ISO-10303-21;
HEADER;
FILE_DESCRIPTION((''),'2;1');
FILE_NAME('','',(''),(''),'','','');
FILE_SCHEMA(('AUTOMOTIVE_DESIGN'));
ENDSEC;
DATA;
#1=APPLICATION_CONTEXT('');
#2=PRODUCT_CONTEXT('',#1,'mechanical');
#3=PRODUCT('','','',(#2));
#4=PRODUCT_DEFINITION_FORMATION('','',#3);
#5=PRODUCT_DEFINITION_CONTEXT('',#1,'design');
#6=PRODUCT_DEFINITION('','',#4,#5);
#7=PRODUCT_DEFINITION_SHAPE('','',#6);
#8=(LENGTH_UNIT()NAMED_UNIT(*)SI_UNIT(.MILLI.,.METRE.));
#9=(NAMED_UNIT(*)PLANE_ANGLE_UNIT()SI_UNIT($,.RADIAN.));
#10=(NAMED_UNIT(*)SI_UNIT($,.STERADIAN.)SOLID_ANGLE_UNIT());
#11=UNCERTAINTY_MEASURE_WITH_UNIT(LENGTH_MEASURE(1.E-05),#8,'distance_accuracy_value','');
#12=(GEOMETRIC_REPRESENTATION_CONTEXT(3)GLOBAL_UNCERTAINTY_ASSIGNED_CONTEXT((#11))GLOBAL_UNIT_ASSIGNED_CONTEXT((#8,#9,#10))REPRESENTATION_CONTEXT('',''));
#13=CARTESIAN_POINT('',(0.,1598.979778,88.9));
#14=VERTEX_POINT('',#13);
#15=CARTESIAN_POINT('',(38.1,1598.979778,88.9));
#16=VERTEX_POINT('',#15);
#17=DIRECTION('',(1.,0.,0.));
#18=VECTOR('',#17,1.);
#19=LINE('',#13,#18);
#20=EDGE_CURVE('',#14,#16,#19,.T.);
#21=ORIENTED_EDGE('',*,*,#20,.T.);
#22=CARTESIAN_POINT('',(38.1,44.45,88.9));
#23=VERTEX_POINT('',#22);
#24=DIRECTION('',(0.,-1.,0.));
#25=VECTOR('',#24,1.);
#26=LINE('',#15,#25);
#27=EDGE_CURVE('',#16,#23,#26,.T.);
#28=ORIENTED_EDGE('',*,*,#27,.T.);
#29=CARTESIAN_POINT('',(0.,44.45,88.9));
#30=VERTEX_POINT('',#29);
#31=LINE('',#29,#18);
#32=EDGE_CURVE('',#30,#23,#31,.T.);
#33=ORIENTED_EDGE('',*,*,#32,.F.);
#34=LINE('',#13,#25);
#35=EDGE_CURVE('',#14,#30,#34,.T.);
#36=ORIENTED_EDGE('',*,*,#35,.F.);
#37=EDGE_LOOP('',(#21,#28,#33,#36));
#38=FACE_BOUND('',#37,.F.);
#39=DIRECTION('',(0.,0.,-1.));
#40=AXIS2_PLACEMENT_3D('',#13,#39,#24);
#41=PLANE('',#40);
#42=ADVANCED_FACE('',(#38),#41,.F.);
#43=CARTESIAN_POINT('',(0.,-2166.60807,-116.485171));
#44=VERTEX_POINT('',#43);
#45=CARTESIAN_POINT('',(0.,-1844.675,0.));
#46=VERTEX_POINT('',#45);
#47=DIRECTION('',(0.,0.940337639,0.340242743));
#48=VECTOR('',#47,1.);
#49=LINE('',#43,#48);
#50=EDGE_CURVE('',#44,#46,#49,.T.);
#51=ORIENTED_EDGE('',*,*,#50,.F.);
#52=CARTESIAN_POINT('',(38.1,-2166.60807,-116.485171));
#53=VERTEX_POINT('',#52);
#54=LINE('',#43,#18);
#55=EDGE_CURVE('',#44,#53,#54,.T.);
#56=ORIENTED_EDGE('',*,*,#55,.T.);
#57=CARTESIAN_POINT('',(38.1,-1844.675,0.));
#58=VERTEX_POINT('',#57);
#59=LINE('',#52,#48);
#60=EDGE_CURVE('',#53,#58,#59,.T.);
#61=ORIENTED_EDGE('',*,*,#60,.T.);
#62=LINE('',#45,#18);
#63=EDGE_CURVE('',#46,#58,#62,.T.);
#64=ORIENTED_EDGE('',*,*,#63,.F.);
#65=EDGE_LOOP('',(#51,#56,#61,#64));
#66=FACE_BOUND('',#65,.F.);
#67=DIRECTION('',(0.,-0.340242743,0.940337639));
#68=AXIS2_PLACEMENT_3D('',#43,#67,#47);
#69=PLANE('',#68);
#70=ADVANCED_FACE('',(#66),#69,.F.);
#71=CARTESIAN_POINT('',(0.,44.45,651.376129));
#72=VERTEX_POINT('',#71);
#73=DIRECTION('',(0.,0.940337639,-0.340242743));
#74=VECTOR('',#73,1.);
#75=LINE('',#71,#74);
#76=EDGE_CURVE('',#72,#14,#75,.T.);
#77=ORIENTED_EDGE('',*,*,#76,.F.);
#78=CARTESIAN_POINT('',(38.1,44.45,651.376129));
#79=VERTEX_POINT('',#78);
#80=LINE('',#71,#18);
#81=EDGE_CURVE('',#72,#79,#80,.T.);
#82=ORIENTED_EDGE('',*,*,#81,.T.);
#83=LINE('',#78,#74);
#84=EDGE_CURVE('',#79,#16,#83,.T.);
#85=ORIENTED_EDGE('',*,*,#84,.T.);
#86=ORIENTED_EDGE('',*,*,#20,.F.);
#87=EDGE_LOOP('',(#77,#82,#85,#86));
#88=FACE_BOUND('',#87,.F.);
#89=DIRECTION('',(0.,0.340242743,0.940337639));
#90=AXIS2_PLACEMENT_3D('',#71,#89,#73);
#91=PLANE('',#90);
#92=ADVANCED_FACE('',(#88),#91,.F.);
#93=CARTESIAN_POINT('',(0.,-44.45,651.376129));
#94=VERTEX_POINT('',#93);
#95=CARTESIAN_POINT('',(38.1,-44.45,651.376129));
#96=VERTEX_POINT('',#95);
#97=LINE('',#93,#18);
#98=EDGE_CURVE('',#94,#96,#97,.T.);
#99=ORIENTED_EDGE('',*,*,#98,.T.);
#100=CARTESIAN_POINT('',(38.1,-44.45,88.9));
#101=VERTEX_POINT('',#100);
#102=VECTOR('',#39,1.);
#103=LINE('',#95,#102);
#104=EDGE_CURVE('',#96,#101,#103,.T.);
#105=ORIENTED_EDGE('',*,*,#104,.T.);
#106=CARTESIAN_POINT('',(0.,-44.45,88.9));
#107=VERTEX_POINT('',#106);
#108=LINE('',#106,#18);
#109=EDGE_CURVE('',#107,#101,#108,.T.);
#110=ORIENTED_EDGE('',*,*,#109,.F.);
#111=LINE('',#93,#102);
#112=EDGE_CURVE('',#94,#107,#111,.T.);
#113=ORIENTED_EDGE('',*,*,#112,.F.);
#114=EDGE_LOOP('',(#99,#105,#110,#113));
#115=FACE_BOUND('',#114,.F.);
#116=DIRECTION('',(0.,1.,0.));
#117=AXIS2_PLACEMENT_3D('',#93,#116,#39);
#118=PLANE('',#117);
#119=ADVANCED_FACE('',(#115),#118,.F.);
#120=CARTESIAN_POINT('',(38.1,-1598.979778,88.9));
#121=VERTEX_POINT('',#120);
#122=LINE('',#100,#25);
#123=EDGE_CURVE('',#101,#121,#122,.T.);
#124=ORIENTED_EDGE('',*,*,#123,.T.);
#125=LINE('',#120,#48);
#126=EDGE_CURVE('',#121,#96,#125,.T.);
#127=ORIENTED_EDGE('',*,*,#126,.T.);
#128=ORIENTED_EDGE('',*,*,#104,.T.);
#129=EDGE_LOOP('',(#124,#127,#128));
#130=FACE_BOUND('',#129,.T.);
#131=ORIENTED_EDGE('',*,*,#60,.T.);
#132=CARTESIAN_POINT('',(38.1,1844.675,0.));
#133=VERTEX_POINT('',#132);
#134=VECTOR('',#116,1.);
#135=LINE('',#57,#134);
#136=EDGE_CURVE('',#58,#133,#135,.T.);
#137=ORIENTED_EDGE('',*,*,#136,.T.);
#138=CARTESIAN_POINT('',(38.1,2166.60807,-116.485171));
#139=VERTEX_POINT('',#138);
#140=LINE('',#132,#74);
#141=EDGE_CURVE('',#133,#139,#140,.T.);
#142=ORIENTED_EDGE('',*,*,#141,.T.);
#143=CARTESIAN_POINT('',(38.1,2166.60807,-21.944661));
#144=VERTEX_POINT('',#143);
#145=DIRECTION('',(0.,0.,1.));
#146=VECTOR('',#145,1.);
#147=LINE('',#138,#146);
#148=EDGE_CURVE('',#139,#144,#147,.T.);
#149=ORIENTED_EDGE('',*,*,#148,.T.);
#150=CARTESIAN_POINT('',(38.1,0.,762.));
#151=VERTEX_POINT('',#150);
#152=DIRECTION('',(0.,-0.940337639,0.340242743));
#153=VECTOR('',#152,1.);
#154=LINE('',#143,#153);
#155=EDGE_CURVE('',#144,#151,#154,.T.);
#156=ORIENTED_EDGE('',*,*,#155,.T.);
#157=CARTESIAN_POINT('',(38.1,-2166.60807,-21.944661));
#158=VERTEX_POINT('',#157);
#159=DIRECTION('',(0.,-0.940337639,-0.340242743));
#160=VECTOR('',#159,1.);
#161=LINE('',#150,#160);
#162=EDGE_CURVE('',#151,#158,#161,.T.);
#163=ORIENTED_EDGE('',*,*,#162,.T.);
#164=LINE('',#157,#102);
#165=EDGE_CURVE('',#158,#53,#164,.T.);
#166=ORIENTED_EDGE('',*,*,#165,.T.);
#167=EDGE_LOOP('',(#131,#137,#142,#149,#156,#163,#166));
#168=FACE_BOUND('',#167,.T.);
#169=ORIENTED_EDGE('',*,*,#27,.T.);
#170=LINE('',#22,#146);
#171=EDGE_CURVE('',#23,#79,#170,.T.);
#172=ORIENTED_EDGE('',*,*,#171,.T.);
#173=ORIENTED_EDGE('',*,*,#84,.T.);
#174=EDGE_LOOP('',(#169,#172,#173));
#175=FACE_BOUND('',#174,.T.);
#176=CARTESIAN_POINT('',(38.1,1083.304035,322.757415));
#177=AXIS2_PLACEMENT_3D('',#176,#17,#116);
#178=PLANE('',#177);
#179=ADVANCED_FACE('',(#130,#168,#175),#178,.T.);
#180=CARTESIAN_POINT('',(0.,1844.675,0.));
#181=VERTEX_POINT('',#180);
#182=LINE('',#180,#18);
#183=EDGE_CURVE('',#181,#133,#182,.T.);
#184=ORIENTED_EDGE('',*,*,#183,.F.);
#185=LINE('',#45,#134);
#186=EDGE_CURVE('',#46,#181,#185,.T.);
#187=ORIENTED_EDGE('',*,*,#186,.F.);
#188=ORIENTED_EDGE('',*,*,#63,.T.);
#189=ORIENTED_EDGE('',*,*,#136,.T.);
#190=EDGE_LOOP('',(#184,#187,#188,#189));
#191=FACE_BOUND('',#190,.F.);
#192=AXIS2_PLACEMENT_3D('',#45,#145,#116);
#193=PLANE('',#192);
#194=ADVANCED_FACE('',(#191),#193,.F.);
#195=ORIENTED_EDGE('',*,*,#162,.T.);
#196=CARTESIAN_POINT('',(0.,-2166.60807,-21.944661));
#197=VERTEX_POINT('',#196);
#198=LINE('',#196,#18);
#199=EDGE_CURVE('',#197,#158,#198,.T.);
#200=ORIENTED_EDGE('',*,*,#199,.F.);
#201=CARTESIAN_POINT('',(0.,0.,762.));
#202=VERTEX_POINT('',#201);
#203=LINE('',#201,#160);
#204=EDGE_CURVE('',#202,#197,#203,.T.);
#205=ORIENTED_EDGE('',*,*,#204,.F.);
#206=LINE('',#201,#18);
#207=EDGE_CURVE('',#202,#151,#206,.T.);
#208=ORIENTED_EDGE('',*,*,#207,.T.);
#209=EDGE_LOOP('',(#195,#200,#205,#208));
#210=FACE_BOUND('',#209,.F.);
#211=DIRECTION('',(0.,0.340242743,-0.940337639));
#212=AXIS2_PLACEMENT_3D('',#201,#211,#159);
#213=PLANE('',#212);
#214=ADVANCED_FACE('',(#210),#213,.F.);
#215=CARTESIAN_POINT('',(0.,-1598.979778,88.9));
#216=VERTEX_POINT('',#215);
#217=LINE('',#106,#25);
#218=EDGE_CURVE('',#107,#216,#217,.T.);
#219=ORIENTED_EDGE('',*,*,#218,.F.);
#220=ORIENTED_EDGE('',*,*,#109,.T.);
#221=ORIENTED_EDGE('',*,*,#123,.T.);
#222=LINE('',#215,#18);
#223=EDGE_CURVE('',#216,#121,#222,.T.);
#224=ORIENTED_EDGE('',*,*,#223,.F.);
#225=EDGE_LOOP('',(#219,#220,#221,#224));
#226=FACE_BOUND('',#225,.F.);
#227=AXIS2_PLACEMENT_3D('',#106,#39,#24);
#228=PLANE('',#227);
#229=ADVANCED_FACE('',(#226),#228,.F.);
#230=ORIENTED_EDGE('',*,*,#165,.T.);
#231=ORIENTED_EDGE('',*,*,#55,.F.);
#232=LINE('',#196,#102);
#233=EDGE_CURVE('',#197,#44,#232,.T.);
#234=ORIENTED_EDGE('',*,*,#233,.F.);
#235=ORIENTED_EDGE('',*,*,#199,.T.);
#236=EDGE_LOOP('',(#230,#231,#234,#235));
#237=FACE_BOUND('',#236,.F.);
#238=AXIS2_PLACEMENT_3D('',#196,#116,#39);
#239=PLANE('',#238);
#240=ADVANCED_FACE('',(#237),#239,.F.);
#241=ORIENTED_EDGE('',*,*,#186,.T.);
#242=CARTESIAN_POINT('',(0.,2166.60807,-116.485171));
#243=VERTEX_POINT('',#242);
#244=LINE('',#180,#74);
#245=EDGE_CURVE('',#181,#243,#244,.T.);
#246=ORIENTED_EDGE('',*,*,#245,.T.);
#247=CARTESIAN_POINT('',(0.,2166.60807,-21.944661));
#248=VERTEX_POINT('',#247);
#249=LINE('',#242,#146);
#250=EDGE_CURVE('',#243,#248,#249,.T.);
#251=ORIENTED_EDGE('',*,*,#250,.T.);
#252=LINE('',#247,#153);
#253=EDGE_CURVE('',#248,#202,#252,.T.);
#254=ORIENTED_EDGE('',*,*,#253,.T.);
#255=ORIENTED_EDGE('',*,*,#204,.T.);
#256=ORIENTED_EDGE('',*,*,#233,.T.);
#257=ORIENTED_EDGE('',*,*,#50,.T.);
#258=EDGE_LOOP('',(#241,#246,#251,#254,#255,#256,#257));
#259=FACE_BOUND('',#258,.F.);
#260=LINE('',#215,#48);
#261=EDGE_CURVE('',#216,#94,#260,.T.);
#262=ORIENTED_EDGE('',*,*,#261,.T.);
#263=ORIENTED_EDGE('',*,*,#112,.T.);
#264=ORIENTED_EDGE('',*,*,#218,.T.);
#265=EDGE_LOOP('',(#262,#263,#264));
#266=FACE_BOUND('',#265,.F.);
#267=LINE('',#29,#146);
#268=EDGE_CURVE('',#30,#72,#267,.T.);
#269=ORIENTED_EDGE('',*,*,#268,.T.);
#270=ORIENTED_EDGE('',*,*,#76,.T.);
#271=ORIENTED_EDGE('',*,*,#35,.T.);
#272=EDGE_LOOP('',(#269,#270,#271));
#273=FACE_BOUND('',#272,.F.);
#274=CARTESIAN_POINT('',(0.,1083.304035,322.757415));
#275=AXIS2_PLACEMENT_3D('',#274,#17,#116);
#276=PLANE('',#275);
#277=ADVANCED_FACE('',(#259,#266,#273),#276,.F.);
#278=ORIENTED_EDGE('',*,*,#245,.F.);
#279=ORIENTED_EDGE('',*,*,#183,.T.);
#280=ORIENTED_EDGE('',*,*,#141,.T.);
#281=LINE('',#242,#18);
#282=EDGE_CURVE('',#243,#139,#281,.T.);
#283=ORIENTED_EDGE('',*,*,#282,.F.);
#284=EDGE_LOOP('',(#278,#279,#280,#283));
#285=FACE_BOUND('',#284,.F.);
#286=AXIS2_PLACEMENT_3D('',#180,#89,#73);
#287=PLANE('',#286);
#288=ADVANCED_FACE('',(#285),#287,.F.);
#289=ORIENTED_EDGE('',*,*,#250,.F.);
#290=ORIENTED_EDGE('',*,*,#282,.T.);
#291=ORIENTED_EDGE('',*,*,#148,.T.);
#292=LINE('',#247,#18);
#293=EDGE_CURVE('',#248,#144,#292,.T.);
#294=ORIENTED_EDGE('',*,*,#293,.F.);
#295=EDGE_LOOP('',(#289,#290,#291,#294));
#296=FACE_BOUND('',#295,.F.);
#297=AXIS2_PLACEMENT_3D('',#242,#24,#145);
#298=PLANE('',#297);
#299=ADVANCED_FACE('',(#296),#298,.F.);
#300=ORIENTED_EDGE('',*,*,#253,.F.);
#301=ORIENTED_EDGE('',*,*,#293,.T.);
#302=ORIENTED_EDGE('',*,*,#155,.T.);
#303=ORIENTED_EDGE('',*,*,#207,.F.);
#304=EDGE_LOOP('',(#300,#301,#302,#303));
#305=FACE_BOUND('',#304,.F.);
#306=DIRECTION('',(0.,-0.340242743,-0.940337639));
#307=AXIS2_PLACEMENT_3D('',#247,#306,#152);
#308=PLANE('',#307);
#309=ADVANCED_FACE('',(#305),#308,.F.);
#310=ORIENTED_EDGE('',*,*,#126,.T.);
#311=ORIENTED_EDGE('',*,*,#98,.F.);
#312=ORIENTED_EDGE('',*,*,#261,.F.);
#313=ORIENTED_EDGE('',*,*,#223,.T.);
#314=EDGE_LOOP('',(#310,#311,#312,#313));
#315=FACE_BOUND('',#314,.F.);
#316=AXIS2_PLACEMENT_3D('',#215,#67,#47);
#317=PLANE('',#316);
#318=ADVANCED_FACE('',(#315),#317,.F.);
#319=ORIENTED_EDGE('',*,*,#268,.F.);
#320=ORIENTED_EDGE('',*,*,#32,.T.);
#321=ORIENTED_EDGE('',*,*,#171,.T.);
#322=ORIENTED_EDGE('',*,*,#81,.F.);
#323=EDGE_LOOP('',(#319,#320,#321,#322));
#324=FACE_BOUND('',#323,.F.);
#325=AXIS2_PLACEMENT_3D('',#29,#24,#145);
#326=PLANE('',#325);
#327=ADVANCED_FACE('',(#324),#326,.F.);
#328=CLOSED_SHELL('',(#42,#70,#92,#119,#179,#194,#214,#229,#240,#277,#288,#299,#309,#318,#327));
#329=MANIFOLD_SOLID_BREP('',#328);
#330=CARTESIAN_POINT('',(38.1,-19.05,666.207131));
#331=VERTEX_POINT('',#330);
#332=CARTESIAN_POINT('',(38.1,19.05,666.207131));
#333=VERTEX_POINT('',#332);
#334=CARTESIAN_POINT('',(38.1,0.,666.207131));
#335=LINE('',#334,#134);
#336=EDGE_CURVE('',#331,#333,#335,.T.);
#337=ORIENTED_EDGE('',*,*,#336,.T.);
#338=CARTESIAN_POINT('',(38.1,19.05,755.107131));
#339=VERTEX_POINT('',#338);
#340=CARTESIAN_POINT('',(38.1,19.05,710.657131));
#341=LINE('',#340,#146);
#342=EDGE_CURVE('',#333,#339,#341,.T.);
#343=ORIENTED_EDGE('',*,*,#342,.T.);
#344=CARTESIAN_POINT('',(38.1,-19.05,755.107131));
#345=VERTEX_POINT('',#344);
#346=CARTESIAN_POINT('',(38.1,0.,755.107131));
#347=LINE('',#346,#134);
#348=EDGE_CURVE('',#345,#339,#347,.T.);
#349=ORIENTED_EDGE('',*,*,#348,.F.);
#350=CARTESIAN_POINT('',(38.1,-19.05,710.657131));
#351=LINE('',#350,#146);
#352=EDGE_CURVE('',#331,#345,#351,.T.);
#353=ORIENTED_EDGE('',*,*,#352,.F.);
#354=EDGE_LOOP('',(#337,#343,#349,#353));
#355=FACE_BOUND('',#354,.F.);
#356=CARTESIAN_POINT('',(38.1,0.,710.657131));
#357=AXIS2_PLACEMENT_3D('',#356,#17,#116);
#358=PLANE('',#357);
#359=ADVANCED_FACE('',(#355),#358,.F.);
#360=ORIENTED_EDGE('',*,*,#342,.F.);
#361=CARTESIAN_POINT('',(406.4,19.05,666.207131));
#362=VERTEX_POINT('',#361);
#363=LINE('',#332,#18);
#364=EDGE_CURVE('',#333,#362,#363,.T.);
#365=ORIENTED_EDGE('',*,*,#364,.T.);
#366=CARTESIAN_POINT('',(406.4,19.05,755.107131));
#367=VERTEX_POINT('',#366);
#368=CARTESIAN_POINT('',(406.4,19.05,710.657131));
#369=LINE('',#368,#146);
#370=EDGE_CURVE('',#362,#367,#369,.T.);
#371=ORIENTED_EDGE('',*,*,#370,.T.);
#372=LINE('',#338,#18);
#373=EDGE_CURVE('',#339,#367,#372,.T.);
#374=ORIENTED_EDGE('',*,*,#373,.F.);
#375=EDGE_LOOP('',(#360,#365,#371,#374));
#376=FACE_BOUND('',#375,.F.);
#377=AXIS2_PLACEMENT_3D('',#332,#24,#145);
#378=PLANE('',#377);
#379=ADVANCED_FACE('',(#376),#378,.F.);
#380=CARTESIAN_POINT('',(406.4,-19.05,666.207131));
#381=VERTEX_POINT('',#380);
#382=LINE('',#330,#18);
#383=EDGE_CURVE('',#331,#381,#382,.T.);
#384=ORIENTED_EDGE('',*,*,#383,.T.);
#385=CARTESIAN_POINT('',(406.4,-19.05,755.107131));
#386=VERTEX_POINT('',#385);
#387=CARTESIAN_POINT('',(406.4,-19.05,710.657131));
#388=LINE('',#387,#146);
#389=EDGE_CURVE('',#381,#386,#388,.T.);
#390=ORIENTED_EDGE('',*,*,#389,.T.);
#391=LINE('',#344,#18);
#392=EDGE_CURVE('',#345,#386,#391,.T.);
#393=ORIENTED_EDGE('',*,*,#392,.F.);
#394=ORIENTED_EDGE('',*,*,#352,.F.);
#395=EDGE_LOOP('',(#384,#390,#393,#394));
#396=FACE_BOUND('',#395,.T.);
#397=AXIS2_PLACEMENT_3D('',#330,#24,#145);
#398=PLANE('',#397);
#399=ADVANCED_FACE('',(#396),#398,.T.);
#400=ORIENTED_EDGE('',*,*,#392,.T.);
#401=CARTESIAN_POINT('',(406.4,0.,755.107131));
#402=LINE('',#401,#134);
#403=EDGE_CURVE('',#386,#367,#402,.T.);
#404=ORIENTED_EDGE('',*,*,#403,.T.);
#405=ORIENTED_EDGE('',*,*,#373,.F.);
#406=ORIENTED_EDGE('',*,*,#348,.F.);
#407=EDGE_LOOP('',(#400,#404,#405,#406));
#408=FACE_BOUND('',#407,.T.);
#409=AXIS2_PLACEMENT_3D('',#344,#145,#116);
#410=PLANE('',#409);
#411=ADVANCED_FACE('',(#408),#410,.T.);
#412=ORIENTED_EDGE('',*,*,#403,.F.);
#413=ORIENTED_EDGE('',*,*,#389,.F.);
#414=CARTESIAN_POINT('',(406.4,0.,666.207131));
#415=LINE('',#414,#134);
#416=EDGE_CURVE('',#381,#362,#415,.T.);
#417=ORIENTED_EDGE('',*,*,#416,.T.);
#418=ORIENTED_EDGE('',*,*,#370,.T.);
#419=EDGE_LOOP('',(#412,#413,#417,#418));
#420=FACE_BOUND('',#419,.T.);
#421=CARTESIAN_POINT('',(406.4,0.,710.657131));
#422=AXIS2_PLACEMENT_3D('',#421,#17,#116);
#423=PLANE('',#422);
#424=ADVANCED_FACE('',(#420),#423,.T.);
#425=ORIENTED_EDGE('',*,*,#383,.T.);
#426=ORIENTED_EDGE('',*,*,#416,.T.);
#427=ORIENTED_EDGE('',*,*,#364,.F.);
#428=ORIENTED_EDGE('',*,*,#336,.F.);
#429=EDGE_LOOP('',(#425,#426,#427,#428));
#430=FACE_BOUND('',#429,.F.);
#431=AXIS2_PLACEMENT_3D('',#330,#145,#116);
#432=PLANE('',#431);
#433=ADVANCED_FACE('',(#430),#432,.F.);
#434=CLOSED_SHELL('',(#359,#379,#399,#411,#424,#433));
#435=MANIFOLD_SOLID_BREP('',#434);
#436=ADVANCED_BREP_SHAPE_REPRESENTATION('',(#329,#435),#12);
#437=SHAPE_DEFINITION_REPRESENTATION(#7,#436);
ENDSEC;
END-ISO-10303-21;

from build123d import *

# Parameters (mm, degrees)
F1_DEPTH = 38.1
F2_W     = 38.1
F2_H     = 88.9
F3_DEPTH = 368.3


with BuildPart() as f1:
    # F0 (on Right) → F1 (new body)
    with BuildSketch(Plane.YZ):
        Polygon((1598.979778, 88.9), (1844.675, 0), (2166.60807, -116.485171), (2166.60807, -21.944661), (0, 762), (0, 667.45949), (44.45, 651.376129), align=None)
        Polygon((-2166.60807, -116.485171), (-1844.675, 0), (-1598.979778, 88.9), (-44.45, 651.376129), (0, 667.45949), (0, 762), (-2166.60807, -21.944661), align=None)
        Polygon((0, 667.45949), (-44.45, 651.376129), (-44.45, 88.9), (44.45, 88.9), (44.45, 651.376129), align=None)
        Polygon((-1598.979778, 88.9), (-1844.675, 0), (1844.675, 0), (1598.979778, 88.9), (44.45, 88.9), (-44.45, 88.9), align=None)
    extrude(amount=F1_DEPTH)


with BuildPart() as f3:
    # F2 (on face) → F3 (new body)
    with BuildSketch(Plane.YZ.offset(38.1)):
        with Locations((0, 710.657131)):
            Rectangle(F2_W, F2_H)
    extrude(amount=F3_DEPTH)


solid = Compound([f1.part, f3.part])
